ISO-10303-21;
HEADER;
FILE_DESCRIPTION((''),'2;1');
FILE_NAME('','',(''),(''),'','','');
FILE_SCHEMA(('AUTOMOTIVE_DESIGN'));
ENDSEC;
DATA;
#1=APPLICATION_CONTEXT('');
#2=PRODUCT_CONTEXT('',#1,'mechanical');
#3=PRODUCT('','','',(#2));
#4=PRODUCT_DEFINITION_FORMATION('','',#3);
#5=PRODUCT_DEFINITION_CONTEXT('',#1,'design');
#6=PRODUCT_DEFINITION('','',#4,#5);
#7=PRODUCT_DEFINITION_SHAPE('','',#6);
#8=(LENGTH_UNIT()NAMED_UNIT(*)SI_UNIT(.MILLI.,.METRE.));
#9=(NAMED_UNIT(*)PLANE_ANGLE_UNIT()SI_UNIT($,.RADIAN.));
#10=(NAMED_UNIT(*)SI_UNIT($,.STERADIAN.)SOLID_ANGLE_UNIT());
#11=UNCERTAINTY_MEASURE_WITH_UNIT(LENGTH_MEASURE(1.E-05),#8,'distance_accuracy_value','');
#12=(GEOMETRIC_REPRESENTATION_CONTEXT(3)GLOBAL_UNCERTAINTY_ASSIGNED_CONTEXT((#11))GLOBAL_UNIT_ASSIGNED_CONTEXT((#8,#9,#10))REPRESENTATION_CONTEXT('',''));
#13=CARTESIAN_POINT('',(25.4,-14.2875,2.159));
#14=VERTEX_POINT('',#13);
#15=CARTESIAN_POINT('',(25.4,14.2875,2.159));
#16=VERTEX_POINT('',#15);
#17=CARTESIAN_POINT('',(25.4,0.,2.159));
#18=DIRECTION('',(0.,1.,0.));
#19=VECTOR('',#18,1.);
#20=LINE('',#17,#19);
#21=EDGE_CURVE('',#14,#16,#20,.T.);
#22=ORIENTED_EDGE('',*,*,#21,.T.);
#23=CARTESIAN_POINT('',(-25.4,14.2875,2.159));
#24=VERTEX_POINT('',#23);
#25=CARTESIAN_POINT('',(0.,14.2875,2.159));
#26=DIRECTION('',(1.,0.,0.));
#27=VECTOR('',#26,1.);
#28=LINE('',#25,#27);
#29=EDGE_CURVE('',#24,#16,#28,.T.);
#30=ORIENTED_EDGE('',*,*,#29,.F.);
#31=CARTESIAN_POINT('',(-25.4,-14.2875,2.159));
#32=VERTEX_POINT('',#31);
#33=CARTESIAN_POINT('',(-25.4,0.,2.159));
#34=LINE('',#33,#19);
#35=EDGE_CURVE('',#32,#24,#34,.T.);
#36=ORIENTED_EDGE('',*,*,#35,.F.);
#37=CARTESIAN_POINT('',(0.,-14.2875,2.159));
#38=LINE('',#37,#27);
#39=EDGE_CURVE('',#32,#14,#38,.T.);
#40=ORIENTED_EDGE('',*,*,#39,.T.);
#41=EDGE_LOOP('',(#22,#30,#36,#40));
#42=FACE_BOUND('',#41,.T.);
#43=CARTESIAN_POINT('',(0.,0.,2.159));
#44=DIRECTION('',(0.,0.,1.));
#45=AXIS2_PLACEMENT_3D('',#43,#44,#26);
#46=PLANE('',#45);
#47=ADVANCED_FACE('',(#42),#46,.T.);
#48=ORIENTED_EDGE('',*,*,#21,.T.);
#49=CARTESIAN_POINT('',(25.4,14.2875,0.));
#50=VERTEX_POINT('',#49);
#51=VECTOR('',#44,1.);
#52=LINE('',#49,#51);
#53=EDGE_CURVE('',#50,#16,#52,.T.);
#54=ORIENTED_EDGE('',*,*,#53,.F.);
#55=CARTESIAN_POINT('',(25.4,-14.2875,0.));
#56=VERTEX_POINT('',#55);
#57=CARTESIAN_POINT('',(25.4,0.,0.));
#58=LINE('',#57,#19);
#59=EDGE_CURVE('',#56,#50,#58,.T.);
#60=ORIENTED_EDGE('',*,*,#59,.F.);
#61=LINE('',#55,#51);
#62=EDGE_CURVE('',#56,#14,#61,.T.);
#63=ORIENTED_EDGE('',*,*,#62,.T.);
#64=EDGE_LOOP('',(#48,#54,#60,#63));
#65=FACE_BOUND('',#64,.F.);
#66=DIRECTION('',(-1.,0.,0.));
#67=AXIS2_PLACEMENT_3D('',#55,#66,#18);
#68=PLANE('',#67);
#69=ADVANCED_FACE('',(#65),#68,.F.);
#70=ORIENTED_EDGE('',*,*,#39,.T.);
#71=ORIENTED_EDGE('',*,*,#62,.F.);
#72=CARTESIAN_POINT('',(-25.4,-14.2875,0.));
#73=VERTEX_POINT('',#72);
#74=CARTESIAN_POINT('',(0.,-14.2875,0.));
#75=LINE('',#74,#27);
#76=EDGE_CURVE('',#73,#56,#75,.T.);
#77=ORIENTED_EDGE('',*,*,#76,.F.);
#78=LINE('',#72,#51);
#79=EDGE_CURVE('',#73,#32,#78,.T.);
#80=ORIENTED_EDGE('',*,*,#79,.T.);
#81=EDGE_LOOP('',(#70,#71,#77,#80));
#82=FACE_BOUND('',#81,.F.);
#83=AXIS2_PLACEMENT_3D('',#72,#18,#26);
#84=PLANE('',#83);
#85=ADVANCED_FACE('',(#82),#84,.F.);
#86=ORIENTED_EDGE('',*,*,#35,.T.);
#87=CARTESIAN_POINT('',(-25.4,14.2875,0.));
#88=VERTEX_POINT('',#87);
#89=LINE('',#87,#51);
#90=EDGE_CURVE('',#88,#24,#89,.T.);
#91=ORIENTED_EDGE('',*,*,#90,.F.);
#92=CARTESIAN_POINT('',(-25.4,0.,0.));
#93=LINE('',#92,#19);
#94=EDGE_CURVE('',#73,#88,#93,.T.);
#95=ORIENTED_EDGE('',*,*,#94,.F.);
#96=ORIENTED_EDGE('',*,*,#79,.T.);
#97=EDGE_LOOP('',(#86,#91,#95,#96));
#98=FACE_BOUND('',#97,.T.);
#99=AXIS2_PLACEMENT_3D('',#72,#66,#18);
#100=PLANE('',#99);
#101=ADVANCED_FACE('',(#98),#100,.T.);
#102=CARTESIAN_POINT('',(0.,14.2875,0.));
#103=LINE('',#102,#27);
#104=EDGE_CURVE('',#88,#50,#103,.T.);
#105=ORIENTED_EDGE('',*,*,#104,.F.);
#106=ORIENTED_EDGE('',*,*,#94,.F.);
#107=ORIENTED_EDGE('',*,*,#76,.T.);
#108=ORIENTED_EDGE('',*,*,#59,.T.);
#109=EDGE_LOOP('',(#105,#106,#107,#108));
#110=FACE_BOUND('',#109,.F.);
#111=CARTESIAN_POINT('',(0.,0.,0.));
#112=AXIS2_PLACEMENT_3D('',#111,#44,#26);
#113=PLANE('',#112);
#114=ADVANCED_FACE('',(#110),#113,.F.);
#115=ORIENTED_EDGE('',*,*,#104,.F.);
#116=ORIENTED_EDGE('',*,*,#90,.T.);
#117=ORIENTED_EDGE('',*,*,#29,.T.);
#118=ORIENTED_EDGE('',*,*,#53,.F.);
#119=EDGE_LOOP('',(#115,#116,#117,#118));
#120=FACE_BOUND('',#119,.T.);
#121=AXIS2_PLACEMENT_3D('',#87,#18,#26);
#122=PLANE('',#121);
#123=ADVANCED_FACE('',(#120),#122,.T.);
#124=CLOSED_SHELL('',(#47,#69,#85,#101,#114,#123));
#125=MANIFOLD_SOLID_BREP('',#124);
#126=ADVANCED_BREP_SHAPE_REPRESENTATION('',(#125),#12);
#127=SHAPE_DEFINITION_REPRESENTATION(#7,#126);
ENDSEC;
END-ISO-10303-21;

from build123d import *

# Parameters (mm, degrees)
SKETCH_W  = 50.8
SKETCH_H  = 28.575
PAD_DEPTH = 2.159


with BuildPart() as part:
    # Sketch → Pad (new body)
    with BuildSketch(Plane.XY):
        Rectangle(SKETCH_W, SKETCH_H)
    extrude(amount=PAD_DEPTH)


solid = part.part
